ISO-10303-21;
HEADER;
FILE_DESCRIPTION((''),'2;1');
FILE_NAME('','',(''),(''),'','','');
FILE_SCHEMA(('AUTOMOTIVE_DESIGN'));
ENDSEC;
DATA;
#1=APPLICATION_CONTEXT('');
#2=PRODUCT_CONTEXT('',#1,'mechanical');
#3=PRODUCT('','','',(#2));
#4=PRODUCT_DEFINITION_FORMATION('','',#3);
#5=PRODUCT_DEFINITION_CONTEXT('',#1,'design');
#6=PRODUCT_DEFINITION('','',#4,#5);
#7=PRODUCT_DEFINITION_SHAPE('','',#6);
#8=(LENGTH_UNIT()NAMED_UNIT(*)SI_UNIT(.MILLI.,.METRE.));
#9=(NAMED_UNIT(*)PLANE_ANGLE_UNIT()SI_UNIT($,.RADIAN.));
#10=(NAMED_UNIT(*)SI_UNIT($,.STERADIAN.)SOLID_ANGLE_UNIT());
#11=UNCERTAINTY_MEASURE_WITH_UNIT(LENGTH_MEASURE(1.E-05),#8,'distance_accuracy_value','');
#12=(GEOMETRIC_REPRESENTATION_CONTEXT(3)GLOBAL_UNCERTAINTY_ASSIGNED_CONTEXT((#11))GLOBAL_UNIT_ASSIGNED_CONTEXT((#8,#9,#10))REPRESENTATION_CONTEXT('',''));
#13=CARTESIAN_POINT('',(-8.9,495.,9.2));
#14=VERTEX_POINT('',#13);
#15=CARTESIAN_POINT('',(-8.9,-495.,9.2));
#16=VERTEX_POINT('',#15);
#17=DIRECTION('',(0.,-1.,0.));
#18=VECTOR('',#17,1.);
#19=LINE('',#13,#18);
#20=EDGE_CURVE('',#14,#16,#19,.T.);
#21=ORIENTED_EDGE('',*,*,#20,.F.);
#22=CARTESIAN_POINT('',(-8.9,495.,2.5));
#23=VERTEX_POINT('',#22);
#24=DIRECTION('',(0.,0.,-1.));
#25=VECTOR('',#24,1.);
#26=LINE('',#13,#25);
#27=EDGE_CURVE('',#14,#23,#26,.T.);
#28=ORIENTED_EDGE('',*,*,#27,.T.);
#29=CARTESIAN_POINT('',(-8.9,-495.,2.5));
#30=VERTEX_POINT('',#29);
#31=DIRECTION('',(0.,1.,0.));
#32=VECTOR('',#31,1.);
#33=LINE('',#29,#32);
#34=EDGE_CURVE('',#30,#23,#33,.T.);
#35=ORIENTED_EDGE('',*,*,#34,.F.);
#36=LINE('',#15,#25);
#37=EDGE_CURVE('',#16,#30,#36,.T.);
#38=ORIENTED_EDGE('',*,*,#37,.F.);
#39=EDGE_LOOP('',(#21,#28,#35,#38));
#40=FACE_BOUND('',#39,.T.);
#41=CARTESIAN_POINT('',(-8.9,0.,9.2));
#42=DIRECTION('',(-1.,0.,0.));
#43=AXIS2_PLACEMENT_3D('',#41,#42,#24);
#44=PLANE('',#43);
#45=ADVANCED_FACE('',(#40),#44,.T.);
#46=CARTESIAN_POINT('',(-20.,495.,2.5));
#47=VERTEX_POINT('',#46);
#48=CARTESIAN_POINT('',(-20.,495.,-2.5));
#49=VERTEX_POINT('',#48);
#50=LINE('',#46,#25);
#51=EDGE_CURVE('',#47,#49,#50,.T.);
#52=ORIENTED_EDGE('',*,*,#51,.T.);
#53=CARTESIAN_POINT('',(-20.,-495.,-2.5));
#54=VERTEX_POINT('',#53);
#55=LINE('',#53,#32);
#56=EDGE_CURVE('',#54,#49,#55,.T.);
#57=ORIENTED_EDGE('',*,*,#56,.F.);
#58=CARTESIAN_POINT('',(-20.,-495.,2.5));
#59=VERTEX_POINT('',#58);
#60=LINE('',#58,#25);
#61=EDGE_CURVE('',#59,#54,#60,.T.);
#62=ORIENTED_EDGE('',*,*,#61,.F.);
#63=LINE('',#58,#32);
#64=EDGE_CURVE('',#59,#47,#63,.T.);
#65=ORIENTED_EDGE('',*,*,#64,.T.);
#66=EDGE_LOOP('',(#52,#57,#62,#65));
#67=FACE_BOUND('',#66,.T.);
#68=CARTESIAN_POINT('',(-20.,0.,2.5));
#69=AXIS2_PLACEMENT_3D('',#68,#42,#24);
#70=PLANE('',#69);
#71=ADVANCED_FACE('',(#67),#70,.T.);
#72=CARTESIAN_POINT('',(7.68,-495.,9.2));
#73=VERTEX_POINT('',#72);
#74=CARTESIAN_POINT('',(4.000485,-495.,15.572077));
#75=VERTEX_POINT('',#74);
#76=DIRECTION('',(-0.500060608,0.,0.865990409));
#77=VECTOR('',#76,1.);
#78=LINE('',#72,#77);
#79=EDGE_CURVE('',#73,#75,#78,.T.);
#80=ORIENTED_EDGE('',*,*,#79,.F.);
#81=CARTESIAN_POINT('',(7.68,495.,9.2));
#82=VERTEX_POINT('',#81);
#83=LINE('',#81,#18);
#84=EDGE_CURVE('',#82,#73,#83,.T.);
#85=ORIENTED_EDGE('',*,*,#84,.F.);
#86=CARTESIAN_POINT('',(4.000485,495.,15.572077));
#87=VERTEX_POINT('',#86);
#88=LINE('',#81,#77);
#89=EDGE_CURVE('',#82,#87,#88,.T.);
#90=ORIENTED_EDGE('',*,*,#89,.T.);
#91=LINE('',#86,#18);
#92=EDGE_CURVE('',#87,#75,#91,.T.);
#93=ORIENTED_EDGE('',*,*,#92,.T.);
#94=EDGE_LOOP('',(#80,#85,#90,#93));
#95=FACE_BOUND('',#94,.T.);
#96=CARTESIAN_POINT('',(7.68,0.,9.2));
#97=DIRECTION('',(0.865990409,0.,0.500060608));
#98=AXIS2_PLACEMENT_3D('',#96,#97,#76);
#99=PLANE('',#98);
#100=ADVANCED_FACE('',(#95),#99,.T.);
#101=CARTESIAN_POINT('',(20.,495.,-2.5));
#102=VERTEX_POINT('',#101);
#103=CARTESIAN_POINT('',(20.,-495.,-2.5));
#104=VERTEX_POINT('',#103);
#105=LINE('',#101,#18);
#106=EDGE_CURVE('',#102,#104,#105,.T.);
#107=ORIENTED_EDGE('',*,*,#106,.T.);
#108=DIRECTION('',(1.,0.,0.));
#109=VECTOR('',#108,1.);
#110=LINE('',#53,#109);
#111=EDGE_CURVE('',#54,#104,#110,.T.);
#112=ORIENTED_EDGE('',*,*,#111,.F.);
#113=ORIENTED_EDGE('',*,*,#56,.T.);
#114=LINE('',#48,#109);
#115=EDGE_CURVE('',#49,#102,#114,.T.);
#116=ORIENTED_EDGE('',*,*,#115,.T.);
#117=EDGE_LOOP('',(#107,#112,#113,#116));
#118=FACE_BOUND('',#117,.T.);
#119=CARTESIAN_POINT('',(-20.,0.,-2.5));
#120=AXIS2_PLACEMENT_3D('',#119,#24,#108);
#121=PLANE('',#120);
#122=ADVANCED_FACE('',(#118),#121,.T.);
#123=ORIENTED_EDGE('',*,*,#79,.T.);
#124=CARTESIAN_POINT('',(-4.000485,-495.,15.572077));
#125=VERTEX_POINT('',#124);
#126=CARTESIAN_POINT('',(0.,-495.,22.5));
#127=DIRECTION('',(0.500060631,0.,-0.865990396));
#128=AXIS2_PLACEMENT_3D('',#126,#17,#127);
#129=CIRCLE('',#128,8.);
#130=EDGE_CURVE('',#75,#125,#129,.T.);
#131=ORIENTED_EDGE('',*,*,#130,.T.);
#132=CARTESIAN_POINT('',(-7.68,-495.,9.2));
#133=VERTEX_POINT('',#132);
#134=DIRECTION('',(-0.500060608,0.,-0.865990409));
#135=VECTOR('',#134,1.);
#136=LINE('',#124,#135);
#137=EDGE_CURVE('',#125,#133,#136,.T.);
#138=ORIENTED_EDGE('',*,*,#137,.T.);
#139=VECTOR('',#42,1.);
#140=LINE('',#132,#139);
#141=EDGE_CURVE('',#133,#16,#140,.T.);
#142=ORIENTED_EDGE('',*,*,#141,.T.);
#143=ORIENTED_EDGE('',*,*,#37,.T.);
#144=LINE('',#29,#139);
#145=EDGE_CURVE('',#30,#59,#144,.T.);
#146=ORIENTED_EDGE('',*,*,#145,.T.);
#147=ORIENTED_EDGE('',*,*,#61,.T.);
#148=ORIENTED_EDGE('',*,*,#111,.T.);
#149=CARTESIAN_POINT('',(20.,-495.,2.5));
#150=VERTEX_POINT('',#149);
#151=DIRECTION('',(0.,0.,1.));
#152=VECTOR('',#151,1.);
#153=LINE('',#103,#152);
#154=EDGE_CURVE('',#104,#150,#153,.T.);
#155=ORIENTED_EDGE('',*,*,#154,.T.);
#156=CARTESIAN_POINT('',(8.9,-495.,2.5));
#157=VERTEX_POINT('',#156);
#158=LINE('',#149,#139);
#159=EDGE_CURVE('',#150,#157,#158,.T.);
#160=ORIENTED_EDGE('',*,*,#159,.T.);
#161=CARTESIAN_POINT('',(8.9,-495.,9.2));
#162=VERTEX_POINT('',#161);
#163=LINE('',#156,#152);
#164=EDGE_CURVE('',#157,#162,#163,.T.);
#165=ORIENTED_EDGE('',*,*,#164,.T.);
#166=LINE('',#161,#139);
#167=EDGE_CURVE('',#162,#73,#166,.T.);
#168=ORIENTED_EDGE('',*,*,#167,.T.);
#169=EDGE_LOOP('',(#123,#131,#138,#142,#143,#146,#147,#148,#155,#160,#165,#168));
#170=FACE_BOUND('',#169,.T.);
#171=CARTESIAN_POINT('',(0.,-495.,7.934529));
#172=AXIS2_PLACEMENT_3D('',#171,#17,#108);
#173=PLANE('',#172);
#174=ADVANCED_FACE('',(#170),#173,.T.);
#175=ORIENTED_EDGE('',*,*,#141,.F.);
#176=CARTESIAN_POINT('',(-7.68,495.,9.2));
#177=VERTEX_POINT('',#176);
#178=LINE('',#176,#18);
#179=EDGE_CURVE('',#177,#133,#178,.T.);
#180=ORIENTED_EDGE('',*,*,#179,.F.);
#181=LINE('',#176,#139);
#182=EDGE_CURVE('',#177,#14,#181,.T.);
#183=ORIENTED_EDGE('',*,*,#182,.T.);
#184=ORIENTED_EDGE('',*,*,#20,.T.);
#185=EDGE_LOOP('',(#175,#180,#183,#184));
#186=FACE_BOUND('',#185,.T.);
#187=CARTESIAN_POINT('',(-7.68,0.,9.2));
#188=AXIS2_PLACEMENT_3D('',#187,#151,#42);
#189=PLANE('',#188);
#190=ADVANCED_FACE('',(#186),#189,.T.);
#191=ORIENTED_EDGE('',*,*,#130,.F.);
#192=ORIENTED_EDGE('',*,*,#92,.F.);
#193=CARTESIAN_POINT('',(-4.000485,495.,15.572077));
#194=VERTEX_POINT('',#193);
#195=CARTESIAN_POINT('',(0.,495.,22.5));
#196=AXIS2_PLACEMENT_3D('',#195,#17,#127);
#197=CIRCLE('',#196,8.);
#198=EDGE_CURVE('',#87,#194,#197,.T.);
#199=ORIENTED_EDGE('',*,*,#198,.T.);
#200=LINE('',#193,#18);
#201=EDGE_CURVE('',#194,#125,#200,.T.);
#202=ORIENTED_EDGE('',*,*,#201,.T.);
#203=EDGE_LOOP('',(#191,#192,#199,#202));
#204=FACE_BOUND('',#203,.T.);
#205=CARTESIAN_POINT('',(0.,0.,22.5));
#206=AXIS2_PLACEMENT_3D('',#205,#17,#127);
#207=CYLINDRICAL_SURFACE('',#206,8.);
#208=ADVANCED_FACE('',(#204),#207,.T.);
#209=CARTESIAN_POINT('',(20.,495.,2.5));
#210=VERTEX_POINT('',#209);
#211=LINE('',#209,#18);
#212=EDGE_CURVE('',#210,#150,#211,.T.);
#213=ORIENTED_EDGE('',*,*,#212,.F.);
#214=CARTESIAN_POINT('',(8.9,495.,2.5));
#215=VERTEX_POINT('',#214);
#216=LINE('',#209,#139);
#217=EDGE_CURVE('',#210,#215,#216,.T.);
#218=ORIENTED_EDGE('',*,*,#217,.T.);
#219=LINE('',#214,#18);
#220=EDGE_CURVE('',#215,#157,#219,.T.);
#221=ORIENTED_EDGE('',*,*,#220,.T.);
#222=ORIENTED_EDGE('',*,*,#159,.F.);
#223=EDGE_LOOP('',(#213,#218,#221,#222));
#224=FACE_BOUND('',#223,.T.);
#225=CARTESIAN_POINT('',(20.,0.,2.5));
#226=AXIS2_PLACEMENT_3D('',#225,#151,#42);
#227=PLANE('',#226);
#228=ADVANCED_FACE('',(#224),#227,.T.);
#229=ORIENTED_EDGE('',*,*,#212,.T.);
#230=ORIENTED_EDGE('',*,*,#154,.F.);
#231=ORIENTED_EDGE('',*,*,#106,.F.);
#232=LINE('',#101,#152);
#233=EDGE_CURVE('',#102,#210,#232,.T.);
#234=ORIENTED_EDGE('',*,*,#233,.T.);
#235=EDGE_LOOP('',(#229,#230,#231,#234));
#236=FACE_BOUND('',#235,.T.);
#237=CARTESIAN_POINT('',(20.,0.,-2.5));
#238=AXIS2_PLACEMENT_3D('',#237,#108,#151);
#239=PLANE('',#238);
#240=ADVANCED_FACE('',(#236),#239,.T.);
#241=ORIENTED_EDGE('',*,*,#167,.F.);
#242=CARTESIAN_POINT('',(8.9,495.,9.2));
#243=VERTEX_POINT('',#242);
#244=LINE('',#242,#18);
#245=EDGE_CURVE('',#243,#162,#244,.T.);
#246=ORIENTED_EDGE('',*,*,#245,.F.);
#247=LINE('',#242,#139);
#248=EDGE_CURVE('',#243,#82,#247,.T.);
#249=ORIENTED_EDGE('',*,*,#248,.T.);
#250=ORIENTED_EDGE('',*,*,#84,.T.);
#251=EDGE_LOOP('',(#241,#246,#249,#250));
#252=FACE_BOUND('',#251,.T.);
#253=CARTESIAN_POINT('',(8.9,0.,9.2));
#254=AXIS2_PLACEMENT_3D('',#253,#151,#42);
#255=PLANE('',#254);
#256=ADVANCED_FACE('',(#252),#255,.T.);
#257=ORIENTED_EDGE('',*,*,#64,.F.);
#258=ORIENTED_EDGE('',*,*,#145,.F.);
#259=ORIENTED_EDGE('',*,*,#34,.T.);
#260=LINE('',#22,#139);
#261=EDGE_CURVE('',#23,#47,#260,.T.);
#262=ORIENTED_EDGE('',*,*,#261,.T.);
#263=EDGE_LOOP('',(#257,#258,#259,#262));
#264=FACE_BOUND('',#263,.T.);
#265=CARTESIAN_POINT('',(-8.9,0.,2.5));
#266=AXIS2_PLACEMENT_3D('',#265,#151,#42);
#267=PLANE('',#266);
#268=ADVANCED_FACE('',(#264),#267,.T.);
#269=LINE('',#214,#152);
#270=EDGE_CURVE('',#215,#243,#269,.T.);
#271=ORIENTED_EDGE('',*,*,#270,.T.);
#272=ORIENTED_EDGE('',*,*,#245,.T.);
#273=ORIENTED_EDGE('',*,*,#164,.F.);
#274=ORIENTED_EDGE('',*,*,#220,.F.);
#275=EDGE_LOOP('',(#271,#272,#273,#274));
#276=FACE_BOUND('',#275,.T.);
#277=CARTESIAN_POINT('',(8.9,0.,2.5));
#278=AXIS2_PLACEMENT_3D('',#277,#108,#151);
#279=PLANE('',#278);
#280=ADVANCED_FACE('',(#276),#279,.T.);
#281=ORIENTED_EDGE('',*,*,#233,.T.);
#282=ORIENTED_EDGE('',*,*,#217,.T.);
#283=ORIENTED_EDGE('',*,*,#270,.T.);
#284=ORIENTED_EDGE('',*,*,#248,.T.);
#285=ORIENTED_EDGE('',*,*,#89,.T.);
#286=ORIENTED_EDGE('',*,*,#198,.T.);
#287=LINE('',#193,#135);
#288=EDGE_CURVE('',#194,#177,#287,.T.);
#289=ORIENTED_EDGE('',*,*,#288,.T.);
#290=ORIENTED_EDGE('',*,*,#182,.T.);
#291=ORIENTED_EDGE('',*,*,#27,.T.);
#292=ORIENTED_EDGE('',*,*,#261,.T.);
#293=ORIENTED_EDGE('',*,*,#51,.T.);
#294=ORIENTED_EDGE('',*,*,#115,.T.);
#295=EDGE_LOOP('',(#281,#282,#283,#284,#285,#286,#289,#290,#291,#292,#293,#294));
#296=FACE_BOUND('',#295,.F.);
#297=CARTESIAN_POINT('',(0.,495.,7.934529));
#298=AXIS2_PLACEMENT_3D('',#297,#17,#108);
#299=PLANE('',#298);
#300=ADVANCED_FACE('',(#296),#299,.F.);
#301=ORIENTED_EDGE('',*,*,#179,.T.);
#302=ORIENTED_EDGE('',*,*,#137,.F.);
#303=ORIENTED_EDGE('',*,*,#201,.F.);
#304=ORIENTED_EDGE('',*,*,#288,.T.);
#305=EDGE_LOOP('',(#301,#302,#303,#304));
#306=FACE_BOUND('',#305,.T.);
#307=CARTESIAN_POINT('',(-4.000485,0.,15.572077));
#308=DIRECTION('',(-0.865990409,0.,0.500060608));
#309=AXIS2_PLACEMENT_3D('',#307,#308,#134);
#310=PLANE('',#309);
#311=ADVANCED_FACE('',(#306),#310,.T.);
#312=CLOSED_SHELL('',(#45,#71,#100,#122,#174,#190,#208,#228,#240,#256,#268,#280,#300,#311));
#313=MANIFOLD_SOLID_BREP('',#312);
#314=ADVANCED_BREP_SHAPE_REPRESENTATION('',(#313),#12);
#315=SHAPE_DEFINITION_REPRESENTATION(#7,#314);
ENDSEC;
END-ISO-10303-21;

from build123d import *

# Parameters (mm, degrees)
F1_DEPTH = 495


with BuildPart() as f1:
    # F0 (on Front) → F1 (new body, symmetric)
    with BuildSketch(Plane.XZ):
        with BuildLine():
            Line((-20, -2.5), (20, -2.5))
            Line((20, -2.5), (20, 2.5))
            Line((20, 2.5), (8.9, 2.5))
            Line((8.9, 2.5), (8.9, 9.2))
            Line((8.9, 9.2), (7.68, 9.2))
            Line((7.68, 9.2), (4.000485, 15.572077))
            ThreePointArc((4.000485, 15.572077), (0, 30.5), (-4.000485, 15.572077))
            Line((-4.000485, 15.572077), (-7.68, 9.2))
            Line((-7.68, 9.2), (-8.9, 9.2))
            Line((-8.9, 9.2), (-8.9, 2.5))
            Line((-8.9, 2.5), (-20, 2.5))
            Line((-20, 2.5), (-20, -2.5))
        make_face()
    extrude(amount=F1_DEPTH, both=True)


solid = f1.part
